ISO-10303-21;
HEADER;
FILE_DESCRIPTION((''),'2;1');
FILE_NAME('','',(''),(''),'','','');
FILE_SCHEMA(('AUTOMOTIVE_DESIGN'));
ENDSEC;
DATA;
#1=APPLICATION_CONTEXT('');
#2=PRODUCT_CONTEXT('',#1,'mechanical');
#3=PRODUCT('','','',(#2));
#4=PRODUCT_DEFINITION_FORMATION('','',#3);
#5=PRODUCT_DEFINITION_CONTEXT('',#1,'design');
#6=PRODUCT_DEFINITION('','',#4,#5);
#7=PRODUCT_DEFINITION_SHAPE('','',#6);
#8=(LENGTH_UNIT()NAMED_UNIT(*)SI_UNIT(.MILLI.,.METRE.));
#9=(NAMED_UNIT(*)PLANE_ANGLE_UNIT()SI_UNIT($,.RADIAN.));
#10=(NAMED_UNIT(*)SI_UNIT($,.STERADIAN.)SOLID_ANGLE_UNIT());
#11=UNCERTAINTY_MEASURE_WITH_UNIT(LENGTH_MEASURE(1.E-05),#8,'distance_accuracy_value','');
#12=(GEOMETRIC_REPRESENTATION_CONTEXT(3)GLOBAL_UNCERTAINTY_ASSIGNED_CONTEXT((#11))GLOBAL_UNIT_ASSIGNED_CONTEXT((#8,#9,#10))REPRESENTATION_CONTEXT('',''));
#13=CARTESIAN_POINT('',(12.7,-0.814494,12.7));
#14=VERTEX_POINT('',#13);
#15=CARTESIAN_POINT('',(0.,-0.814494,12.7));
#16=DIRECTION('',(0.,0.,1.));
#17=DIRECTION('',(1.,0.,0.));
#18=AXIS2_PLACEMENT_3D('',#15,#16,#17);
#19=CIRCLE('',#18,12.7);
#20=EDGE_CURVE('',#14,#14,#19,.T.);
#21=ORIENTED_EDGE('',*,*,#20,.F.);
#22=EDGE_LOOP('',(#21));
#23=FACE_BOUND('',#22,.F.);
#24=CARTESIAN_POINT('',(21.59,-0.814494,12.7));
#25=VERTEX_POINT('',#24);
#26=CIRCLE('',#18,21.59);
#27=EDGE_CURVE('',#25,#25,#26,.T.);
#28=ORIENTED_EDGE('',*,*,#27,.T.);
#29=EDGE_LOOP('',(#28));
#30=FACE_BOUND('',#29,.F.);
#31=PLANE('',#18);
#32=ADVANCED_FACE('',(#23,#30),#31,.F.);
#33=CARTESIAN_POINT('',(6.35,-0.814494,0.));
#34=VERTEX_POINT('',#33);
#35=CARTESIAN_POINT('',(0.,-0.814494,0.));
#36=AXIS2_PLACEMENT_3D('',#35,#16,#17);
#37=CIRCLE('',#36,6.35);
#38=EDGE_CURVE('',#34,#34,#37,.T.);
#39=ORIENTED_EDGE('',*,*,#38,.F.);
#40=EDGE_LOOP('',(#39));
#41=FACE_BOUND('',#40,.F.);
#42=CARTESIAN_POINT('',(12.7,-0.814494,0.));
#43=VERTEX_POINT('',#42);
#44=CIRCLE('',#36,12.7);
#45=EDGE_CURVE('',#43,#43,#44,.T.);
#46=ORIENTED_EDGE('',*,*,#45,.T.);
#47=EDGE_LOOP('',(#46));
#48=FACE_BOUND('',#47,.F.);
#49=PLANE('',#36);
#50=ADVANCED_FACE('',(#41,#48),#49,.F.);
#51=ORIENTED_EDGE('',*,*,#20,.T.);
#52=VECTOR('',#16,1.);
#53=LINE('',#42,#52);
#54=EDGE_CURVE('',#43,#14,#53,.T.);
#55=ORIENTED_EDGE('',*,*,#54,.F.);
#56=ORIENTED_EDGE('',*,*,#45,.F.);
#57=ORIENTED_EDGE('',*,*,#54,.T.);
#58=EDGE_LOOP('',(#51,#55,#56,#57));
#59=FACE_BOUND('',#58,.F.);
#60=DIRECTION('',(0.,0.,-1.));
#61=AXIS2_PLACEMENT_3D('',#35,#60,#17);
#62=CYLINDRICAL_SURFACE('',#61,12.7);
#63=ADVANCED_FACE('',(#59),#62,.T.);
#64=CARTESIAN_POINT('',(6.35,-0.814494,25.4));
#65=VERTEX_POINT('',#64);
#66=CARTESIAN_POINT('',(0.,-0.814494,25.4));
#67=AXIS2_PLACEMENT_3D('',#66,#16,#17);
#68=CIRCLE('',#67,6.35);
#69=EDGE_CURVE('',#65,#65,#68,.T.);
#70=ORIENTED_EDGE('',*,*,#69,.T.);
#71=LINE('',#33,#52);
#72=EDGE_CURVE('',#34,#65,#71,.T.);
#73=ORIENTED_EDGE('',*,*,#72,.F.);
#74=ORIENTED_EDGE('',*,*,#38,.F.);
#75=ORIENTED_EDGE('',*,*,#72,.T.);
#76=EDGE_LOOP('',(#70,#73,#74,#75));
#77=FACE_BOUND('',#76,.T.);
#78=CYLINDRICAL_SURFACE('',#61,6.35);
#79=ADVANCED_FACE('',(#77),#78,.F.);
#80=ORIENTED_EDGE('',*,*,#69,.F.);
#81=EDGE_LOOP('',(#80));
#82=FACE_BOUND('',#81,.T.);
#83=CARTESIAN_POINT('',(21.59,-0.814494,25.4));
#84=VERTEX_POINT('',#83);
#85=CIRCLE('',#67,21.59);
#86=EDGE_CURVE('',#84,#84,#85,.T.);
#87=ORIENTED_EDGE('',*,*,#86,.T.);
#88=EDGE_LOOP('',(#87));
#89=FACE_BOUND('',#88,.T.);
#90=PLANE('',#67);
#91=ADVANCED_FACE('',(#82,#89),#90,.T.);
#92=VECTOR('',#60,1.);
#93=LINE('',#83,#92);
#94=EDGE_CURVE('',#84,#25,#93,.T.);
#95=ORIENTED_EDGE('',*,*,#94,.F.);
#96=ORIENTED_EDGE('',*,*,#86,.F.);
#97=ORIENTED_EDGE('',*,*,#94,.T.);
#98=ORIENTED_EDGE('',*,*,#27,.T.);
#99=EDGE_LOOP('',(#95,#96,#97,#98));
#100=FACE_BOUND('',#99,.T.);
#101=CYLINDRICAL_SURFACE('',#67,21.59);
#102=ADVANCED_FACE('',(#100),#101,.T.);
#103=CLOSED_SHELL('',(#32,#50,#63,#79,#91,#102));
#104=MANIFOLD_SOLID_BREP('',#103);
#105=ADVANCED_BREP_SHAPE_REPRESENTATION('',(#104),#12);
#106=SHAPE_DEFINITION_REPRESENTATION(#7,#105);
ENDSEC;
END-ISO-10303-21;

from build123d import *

# Parameters (mm, degrees)
F0_R     = 12.7
F0_R_2   = 6.35
F1_DEPTH = 25.4
F2_R     = 21.59
F2_R_2   = 12.7
F3_DEPTH = 12.7


with BuildPart() as f1:
    # F0 (on Top) → F1 (new body)
    with BuildSketch(Plane.XY):
        with Locations((0, 39.825506)):
            Circle(F0_R)
        with Locations((0, 39.825506)):
            Circle(F0_R_2, mode=Mode.SUBTRACT)
    extrude(amount=F1_DEPTH)

    # F2 (on face) → F3 (join)
    with BuildSketch(Plane.XY.offset(25.4)):
        with Locations((0, 39.825506)):
            Circle(F2_R)
        with Locations((0, 39.825506)):
            Circle(F2_R_2, mode=Mode.SUBTRACT)
    extrude(amount=-F3_DEPTH)


with BuildPart() as f1_1:
    # F4: moved
    add(f1.part.moved(Location((0, -40.64, 0))))


solid = f1_1.part
